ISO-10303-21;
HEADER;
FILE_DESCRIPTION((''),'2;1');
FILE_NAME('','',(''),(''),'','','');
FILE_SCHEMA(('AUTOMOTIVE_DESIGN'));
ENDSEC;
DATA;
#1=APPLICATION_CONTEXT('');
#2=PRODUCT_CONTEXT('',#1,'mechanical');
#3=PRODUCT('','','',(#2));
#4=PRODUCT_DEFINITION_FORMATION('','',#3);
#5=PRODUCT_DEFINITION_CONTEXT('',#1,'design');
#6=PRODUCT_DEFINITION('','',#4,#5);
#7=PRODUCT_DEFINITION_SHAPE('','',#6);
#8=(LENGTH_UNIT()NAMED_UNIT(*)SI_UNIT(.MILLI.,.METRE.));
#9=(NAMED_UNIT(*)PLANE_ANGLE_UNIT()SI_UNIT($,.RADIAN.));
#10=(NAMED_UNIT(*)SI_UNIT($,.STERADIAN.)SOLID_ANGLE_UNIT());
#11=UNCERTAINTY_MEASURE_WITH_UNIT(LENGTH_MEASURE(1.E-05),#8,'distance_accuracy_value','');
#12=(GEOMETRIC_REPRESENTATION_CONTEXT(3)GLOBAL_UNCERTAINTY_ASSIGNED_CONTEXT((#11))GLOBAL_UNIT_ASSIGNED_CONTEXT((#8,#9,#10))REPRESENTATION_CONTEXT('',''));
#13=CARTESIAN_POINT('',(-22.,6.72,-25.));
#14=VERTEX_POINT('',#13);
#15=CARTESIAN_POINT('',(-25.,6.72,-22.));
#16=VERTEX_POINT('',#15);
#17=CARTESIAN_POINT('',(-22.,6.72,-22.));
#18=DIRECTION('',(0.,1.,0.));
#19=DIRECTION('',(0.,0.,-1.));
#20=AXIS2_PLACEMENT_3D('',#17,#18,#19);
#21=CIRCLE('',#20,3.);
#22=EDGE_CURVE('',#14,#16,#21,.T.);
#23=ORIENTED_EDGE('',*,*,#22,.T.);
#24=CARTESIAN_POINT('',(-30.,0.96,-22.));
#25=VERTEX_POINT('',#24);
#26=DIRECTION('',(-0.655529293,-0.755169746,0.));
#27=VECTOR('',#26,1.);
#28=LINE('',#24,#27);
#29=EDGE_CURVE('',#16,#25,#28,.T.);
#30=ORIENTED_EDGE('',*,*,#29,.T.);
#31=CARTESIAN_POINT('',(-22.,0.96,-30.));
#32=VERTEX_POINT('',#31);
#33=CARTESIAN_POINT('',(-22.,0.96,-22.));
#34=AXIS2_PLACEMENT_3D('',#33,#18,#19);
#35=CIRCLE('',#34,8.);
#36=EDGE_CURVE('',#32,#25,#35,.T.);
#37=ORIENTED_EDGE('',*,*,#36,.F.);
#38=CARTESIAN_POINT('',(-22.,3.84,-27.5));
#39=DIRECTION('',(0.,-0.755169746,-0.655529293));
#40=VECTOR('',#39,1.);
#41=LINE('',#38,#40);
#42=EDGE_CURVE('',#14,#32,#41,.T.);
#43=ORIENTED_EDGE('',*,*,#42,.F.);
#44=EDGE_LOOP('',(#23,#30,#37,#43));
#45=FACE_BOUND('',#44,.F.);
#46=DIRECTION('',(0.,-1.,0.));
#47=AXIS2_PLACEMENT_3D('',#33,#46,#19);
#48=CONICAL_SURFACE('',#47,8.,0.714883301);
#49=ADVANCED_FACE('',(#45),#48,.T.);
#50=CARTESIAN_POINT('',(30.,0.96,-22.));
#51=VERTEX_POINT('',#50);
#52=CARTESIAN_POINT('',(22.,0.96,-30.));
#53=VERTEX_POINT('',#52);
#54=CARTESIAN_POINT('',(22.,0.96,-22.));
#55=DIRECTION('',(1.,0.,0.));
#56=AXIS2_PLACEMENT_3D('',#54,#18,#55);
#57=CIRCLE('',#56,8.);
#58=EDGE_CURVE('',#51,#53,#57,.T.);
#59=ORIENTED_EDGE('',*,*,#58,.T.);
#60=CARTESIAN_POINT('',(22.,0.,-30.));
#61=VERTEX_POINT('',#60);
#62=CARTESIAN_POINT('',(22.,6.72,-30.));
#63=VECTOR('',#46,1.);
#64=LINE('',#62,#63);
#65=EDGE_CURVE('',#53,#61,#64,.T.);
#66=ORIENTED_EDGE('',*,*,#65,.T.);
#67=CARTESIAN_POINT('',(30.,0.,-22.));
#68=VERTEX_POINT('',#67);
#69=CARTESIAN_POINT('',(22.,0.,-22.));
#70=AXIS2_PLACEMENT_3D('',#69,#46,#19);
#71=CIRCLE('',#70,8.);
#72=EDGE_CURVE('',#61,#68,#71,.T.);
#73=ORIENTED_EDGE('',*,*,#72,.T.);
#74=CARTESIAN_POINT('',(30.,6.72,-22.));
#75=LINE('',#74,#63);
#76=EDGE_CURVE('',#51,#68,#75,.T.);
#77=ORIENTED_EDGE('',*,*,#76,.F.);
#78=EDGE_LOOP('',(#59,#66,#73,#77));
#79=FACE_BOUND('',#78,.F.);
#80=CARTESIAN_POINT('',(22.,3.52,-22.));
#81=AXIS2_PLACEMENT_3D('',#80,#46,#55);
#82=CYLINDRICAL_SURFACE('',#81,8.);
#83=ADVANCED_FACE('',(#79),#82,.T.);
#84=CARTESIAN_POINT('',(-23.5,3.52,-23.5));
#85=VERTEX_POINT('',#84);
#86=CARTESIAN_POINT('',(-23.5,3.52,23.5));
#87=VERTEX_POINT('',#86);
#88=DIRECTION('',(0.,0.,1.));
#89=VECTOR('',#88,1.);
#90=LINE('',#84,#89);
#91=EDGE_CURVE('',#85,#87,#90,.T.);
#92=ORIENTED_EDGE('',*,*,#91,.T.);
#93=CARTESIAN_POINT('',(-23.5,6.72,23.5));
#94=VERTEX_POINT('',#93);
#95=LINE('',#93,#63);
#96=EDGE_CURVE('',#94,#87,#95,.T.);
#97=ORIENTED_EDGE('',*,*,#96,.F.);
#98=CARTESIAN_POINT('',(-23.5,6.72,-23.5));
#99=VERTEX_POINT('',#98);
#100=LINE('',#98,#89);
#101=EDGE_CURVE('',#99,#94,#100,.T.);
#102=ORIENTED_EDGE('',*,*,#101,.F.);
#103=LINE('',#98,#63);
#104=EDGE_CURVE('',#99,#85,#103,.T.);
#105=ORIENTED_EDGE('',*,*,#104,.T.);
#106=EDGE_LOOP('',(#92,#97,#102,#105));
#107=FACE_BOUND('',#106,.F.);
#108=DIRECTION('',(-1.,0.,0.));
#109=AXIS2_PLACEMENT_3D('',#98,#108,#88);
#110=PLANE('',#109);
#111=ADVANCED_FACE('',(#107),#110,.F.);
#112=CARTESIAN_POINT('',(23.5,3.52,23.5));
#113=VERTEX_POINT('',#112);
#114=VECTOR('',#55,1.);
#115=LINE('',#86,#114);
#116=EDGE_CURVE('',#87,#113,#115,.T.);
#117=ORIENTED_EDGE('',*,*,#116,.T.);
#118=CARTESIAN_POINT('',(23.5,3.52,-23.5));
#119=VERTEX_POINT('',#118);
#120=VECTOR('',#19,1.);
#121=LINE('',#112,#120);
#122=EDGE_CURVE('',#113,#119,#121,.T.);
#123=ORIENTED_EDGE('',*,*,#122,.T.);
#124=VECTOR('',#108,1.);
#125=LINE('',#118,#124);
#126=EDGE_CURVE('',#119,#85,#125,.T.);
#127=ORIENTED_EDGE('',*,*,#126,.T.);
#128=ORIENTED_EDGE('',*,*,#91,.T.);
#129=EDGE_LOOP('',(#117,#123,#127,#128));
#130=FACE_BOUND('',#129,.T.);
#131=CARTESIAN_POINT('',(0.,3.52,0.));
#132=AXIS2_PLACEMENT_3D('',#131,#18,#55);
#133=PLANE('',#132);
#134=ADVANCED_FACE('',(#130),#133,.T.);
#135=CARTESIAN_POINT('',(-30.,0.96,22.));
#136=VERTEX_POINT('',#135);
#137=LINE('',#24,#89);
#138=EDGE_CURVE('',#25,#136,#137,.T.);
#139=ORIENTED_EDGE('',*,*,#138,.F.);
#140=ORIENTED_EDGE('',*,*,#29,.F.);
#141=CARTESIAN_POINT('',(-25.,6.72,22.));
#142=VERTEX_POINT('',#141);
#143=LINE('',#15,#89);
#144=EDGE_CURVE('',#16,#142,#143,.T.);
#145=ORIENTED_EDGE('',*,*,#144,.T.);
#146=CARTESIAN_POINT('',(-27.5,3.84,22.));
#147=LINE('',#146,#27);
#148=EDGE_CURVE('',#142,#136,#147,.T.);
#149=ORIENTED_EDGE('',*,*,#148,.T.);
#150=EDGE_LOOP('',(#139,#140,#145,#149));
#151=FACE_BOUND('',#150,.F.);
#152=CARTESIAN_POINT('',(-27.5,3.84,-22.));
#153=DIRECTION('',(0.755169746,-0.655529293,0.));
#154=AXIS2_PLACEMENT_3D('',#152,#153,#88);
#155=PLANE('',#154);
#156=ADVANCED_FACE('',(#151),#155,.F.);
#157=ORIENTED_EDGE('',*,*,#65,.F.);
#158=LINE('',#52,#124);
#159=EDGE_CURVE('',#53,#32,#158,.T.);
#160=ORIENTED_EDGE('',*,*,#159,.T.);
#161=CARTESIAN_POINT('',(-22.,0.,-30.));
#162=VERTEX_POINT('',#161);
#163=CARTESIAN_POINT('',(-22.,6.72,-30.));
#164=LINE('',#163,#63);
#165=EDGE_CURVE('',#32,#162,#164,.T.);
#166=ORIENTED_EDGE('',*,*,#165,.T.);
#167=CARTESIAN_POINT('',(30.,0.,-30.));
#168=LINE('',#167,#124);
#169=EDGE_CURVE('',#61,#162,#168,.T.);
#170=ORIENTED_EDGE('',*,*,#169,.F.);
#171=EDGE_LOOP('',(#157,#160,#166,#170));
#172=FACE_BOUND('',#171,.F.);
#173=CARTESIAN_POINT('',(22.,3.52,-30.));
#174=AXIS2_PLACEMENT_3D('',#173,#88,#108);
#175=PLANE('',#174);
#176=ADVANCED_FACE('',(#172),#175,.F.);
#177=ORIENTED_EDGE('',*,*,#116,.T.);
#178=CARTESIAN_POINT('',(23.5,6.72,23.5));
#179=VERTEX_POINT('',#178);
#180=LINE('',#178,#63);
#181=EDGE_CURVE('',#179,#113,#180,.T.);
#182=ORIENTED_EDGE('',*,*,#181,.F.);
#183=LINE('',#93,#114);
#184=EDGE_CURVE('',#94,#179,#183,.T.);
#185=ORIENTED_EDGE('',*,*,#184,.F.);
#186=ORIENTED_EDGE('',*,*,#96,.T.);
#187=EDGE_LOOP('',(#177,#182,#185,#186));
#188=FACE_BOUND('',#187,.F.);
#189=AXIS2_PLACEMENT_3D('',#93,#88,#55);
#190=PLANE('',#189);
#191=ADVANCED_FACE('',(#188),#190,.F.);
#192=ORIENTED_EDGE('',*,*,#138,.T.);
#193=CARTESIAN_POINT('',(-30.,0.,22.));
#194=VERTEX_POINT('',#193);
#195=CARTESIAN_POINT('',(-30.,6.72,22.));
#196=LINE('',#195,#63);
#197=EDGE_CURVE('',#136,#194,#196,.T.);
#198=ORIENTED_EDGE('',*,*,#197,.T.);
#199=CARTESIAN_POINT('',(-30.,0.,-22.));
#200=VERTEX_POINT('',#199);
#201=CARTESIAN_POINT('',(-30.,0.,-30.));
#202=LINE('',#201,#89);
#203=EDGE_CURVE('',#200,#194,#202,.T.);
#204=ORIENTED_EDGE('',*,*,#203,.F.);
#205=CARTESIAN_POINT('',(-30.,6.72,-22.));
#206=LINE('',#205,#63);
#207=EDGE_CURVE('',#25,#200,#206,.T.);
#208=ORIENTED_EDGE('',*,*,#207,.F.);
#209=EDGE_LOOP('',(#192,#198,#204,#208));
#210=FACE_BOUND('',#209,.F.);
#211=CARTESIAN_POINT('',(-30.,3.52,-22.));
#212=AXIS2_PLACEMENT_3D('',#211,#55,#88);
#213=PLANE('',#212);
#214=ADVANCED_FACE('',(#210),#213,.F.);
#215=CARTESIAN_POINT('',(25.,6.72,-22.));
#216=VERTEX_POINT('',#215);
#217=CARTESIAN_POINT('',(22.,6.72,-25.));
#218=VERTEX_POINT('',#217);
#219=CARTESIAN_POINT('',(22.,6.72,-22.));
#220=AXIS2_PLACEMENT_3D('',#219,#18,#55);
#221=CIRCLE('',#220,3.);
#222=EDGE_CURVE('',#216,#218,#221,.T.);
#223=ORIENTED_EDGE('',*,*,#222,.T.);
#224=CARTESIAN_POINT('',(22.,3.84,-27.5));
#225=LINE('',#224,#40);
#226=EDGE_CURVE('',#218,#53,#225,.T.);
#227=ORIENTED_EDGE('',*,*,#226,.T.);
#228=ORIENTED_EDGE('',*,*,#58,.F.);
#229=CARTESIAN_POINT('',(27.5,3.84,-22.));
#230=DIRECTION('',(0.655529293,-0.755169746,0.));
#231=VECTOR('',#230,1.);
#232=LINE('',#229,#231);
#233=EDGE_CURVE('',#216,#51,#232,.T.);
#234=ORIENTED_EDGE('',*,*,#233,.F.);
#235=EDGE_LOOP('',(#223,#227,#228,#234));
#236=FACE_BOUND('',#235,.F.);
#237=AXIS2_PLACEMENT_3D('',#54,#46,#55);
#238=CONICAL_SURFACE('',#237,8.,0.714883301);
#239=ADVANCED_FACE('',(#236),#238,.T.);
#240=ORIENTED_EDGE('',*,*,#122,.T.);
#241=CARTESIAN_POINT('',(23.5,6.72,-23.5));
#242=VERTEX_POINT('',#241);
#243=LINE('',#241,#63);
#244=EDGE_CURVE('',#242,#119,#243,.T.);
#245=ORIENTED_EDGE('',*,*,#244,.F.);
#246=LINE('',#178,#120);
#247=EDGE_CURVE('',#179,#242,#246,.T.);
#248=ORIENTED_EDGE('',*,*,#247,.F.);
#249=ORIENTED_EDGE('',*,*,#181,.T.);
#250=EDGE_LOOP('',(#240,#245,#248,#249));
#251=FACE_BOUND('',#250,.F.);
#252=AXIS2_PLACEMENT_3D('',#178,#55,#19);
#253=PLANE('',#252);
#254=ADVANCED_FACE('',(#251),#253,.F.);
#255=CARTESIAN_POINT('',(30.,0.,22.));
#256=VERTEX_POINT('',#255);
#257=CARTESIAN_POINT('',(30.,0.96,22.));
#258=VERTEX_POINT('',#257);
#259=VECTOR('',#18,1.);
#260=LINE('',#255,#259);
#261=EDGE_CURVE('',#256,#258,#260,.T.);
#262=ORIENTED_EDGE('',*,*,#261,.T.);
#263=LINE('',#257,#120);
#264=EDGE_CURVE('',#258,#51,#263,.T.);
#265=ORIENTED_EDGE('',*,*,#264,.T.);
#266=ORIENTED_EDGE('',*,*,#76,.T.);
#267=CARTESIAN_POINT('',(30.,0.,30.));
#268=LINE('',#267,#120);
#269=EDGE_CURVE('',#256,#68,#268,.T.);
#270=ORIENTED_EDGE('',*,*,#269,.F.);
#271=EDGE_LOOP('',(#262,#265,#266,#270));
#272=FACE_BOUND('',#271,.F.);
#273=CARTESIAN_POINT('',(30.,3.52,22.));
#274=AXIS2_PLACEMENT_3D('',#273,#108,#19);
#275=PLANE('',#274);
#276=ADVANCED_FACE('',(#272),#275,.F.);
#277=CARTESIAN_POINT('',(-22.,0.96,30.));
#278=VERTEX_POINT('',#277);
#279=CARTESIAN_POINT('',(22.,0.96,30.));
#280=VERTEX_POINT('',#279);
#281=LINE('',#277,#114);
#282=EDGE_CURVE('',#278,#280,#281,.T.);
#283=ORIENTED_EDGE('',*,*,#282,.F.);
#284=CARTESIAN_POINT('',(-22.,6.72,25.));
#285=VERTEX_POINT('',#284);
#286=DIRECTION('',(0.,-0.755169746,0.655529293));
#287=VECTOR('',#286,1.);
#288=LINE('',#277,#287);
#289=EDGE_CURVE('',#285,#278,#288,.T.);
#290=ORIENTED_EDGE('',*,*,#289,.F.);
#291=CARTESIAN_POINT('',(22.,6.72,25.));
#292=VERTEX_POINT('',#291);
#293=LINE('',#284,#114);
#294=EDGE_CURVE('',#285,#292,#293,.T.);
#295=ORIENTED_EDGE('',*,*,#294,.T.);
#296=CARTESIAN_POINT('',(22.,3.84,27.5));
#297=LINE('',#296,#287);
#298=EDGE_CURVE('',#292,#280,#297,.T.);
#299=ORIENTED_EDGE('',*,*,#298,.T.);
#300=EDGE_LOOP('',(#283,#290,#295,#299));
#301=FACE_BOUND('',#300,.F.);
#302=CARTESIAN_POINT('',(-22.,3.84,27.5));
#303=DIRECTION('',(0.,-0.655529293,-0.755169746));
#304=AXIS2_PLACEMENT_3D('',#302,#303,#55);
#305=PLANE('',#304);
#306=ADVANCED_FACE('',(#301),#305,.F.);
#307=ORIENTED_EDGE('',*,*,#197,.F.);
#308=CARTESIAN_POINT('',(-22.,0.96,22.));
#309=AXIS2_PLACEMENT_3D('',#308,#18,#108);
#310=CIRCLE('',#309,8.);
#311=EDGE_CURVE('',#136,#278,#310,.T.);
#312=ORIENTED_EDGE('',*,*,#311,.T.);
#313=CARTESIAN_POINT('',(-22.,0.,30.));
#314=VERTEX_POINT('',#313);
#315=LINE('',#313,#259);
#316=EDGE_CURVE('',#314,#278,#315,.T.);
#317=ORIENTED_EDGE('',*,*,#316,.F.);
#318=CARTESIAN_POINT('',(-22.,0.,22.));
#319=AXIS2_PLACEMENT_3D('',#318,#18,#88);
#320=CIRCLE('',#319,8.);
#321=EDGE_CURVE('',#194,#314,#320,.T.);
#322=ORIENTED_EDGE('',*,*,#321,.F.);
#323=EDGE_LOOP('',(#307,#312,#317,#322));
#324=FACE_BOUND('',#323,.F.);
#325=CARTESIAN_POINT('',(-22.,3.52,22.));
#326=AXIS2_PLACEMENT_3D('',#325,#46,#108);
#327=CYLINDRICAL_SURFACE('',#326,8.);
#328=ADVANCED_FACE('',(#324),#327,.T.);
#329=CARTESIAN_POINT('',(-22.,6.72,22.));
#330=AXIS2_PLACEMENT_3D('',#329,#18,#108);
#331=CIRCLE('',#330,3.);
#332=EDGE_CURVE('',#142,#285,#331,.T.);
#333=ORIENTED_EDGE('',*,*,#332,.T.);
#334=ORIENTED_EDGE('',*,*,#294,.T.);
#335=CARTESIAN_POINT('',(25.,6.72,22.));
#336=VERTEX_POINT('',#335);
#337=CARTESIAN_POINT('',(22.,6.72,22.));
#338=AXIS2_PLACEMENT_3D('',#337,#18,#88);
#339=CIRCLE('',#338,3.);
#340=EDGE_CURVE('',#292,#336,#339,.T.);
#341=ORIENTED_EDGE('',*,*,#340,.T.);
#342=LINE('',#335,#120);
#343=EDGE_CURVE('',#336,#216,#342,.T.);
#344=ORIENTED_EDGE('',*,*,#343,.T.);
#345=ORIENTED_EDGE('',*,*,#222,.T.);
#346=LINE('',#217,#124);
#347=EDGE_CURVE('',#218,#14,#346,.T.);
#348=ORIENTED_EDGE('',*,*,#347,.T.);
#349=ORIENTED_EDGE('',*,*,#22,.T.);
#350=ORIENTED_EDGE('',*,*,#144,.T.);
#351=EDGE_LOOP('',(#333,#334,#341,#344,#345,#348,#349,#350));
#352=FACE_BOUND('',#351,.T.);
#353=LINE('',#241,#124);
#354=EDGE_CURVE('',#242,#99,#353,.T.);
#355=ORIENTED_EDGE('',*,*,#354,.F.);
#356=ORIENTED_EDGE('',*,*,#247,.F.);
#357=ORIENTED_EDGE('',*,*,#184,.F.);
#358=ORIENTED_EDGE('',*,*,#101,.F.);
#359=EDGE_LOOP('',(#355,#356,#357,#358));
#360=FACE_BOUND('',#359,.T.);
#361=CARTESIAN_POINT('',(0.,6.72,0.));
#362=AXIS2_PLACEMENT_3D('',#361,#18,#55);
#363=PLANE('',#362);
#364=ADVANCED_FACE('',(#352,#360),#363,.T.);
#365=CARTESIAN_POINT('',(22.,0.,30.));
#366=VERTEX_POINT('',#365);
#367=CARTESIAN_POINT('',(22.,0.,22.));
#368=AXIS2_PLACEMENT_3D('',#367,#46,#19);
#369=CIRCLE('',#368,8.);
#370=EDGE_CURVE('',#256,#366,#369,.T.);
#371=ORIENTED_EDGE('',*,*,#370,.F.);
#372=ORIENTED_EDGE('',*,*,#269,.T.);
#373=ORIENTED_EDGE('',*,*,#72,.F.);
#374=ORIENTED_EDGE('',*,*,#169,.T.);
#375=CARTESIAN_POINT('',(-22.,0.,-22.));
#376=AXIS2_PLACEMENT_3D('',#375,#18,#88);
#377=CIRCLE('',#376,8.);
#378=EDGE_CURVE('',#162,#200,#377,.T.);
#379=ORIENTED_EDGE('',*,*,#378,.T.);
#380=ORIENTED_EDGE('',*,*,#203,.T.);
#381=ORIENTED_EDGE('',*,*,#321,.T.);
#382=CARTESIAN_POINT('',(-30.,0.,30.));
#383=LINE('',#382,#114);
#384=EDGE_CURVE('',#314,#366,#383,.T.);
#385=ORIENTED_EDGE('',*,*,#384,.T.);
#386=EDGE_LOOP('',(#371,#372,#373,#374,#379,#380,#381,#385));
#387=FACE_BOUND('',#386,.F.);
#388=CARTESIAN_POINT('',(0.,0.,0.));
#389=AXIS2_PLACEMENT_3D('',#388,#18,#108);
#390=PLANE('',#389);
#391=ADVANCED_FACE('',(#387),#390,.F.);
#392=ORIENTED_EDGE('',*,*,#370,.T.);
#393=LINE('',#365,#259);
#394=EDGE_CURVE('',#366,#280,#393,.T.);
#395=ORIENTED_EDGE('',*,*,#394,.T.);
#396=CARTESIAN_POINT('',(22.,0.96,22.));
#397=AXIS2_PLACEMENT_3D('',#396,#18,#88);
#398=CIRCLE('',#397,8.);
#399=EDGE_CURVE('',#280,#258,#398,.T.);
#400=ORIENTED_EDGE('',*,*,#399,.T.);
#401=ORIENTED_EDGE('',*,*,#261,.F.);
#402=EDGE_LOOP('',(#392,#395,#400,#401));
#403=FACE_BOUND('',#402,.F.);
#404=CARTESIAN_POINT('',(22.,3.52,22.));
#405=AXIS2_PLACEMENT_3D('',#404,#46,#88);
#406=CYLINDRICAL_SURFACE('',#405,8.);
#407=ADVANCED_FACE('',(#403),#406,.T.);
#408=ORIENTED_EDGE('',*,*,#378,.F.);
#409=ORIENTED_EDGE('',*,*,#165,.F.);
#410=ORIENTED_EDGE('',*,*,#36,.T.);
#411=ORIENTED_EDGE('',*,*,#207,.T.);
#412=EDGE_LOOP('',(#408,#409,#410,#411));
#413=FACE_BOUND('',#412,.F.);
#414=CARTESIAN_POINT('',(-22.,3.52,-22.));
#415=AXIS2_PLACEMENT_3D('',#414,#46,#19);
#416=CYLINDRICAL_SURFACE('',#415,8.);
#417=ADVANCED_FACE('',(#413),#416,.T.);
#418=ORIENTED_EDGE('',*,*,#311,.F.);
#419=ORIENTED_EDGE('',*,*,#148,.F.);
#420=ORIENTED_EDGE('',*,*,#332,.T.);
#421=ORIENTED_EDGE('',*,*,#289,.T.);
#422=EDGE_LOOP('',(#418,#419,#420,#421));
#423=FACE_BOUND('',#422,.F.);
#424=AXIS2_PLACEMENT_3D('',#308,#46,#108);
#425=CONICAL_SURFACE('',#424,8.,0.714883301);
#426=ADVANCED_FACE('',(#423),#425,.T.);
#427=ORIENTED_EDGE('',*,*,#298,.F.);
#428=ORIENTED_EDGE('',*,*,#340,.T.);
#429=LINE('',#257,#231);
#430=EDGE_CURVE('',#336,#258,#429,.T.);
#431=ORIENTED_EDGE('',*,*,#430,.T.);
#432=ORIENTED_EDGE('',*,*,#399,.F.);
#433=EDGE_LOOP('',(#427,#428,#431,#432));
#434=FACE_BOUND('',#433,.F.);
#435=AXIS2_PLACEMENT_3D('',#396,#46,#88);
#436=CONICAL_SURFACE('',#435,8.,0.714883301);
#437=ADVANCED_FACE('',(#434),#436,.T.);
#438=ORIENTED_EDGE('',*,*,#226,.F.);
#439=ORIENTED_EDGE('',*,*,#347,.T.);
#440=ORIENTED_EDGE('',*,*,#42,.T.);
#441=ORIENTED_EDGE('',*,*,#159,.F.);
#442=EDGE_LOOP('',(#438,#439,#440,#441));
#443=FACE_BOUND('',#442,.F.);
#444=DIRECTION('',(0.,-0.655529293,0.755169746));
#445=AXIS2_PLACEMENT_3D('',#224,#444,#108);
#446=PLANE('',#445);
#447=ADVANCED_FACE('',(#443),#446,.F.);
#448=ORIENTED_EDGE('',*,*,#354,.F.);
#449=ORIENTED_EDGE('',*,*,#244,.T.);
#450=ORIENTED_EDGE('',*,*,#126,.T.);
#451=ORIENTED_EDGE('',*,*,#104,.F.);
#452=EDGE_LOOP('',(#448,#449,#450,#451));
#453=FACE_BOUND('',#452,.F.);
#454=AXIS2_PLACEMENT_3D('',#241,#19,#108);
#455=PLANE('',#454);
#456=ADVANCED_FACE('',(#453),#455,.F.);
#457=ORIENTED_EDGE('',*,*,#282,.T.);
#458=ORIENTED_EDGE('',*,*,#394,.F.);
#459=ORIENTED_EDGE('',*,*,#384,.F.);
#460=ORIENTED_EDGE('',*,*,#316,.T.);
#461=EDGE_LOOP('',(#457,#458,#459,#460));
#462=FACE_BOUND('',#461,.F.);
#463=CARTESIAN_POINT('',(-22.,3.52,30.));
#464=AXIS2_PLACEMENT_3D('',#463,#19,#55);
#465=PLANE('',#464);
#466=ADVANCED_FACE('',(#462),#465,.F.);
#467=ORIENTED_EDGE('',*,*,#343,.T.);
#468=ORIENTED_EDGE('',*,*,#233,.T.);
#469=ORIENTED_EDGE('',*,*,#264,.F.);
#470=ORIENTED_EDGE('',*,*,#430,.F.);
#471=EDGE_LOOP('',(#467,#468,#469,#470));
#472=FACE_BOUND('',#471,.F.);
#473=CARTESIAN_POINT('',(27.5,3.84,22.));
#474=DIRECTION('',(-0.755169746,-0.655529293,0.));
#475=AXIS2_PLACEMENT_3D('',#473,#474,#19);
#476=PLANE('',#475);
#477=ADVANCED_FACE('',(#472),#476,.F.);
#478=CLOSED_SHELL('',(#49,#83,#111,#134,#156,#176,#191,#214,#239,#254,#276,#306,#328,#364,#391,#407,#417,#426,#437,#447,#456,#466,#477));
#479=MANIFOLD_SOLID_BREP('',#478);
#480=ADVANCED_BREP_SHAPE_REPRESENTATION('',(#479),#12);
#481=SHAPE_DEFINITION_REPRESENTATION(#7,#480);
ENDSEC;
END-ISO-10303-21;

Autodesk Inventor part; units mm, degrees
ref_plane "YZ Plane" through (0, 0, 0) normal (1, 0, 0) x (0, 1, 0)
ref_plane "XZ Plane" through (0, 0, 0) normal (0, 1, 0) x (-1, 0, 0)
ref_plane "XY Plane" through (0, 0, 0) normal (0, 0, 1) x (1, 0, 0)
sketch "Sketch1" plane through (0, 0, 0) normal (0, 1, 0) x (-1, 0, 0)
  line L0 (30, 30) -> (-30, 30)
  line L1 (-30, 30) -> (-30, -30)
  line L2 (-30, -30) -> (30, -30)
  line L3 (30, -30) -> (30, 30)
  point P0 (0, 0)
  point P1 (30, 0)
  point P2 (0, 30)
  dimension "d0" = 60
  dimension "d1" = 60
extrude "Extrusion1" add sketch "Sketch1" along normal blind 0.96
sketch "Sketch2" plane through (0, 0.96, 0) normal (0, 1, 0) x (1, 0, 0)
  line L0 (30, -30) -> (30, 30) projected
  line L1 (30, 30) -> (-30, 30) projected
  line L2 (-30, 30) -> (-30, -30) projected
  line L3 (-30, -30) -> (30, -30) projected
  line L4 (-30, 0) -> (30, 0)
  line L5 (0, -30) -> (0, 30)
  circle A0 centre (-12.5, -12.5) radius 4.25
  circle A1 centre (-12.5, 12.5) radius 4.25
  circle A2 centre (12.5, 12.5) radius 4.25
  circle A3 centre (12.5, -12.5) radius 4.25
  point P0 (0, 0)
  dimension "d13" = 8.5
  dimension "d14" = 25
  dimension "d15" = 25
extrude "Extrusion2" add sketch "Sketch2" along normal blind 1.92 contours L3 L5 L4 L0 | L4 L5 L1 L0 | L3 L2 L4 L5 | L4 L2 L1 L5 | A0 | A1 | A2 | A3
sketch "Sketch3" plane through (0, 2.88, 0) normal (0, 1, 0) x (1, 0, 0)
  line L0 (-30, 30) -> (-30, -30) projected
  line L1 (-30, -30) -> (30, -30) projected
  line L2 (30, -30) -> (30, 30) projected
  line L3 (30, 30) -> (-30, 30) projected
  point P0 (0, 0)
extrude "Extrusion3" add sketch "Sketch3" along normal blind 0.64
fillet "Fillet1" radius 8 4 edges at (30, 1.76, 30) (-30, 1.76, 30) (-30, 1.76, -30) (30, 1.76, -30)
ref_plane "Arbeitsebene2" through (27.6569, 3.52, -27.6569) normal (-0.7071, 0, -0.7071) x (0, -1, 0)
sketch "Skizze7" plane through (0, 3.52, 0) normal (0, 1, 0) x (1, 0, 0)
  line L0 (-22, -30) -> (22, -30) projected
  arc A0 (22, -30) -> (30, -22) centre (22, -22) ccw projected
  line L1 (30, -22) -> (30, 22) projected
  arc A1 (30, 22) -> (22, 30) centre (22, 22) ccw projected
  line L2 (22, 30) -> (-22, 30) projected
  arc A2 (-22, 30) -> (-30, 22) centre (-22, 22) ccw projected
  line L3 (-30, 22) -> (-30, -22) projected
  arc A3 (-30, -22) -> (-22, -30) centre (-22, -22) ccw projected
  line L4 (22, -30) -> (-22, -30)
  line L5 (-30, -22) -> (-30, 22)
  line L6 (-22, 30) -> (22, 30)
  line L7 (30, 22) -> (30, -22)
  arc A4 (22, -30) -> (30, -22) centre (22, -22) ccw
  arc A5 (-30, -22) -> (-22, -30) centre (-22, -22) ccw
  arc A6 (-22, 30) -> (-30, 22) centre (-22, 22) ccw
  arc A7 (30, 22) -> (22, 30) centre (22, 22) ccw
  point P0 (0, 0)
extrude "Extrusion4" add sketch "Skizze7" along normal blind 3.2
sketch "Skizze8" plane through (0, 6.72, 0) normal (0, 1, 0) x (1, 0, 0)
  line L0 (23.5, 23.5) -> (-23.5, 23.5)
  line L1 (-23.5, 23.5) -> (-23.5, -23.5)
  line L2 (-23.5, -23.5) -> (23.5, -23.5)
  line L3 (23.5, -23.5) -> (23.5, 23.5)
  line L4 (23.5, 23.5) -> (-23.5, -23.5) construction
  line L5 (-23.5, 23.5) -> (23.5, -23.5) construction
  point P0 (0, 0)
  dimension "d25" = 47
  dimension "d26" = 47
extrude "Extrusion5" cut sketch "Skizze8" against normal blind 3.2
chamfer "Fasen2" distance 5 distance2 5.76 8 edges at (0, 6.72, -30) (-27.6569, 6.72, -27.6569) (-30, 6.72, 0) (-27.6569, 6.72, 27.6569) (0, 6.72, 30) (27.6569, 6.72, 27.6569) (30, 6.72, 0) (27.6569, 6.72, -27.6569) measured on face at (7.3333, 6.72, -25.6667)
properties part number "IMU_Base_T-Shirt"
